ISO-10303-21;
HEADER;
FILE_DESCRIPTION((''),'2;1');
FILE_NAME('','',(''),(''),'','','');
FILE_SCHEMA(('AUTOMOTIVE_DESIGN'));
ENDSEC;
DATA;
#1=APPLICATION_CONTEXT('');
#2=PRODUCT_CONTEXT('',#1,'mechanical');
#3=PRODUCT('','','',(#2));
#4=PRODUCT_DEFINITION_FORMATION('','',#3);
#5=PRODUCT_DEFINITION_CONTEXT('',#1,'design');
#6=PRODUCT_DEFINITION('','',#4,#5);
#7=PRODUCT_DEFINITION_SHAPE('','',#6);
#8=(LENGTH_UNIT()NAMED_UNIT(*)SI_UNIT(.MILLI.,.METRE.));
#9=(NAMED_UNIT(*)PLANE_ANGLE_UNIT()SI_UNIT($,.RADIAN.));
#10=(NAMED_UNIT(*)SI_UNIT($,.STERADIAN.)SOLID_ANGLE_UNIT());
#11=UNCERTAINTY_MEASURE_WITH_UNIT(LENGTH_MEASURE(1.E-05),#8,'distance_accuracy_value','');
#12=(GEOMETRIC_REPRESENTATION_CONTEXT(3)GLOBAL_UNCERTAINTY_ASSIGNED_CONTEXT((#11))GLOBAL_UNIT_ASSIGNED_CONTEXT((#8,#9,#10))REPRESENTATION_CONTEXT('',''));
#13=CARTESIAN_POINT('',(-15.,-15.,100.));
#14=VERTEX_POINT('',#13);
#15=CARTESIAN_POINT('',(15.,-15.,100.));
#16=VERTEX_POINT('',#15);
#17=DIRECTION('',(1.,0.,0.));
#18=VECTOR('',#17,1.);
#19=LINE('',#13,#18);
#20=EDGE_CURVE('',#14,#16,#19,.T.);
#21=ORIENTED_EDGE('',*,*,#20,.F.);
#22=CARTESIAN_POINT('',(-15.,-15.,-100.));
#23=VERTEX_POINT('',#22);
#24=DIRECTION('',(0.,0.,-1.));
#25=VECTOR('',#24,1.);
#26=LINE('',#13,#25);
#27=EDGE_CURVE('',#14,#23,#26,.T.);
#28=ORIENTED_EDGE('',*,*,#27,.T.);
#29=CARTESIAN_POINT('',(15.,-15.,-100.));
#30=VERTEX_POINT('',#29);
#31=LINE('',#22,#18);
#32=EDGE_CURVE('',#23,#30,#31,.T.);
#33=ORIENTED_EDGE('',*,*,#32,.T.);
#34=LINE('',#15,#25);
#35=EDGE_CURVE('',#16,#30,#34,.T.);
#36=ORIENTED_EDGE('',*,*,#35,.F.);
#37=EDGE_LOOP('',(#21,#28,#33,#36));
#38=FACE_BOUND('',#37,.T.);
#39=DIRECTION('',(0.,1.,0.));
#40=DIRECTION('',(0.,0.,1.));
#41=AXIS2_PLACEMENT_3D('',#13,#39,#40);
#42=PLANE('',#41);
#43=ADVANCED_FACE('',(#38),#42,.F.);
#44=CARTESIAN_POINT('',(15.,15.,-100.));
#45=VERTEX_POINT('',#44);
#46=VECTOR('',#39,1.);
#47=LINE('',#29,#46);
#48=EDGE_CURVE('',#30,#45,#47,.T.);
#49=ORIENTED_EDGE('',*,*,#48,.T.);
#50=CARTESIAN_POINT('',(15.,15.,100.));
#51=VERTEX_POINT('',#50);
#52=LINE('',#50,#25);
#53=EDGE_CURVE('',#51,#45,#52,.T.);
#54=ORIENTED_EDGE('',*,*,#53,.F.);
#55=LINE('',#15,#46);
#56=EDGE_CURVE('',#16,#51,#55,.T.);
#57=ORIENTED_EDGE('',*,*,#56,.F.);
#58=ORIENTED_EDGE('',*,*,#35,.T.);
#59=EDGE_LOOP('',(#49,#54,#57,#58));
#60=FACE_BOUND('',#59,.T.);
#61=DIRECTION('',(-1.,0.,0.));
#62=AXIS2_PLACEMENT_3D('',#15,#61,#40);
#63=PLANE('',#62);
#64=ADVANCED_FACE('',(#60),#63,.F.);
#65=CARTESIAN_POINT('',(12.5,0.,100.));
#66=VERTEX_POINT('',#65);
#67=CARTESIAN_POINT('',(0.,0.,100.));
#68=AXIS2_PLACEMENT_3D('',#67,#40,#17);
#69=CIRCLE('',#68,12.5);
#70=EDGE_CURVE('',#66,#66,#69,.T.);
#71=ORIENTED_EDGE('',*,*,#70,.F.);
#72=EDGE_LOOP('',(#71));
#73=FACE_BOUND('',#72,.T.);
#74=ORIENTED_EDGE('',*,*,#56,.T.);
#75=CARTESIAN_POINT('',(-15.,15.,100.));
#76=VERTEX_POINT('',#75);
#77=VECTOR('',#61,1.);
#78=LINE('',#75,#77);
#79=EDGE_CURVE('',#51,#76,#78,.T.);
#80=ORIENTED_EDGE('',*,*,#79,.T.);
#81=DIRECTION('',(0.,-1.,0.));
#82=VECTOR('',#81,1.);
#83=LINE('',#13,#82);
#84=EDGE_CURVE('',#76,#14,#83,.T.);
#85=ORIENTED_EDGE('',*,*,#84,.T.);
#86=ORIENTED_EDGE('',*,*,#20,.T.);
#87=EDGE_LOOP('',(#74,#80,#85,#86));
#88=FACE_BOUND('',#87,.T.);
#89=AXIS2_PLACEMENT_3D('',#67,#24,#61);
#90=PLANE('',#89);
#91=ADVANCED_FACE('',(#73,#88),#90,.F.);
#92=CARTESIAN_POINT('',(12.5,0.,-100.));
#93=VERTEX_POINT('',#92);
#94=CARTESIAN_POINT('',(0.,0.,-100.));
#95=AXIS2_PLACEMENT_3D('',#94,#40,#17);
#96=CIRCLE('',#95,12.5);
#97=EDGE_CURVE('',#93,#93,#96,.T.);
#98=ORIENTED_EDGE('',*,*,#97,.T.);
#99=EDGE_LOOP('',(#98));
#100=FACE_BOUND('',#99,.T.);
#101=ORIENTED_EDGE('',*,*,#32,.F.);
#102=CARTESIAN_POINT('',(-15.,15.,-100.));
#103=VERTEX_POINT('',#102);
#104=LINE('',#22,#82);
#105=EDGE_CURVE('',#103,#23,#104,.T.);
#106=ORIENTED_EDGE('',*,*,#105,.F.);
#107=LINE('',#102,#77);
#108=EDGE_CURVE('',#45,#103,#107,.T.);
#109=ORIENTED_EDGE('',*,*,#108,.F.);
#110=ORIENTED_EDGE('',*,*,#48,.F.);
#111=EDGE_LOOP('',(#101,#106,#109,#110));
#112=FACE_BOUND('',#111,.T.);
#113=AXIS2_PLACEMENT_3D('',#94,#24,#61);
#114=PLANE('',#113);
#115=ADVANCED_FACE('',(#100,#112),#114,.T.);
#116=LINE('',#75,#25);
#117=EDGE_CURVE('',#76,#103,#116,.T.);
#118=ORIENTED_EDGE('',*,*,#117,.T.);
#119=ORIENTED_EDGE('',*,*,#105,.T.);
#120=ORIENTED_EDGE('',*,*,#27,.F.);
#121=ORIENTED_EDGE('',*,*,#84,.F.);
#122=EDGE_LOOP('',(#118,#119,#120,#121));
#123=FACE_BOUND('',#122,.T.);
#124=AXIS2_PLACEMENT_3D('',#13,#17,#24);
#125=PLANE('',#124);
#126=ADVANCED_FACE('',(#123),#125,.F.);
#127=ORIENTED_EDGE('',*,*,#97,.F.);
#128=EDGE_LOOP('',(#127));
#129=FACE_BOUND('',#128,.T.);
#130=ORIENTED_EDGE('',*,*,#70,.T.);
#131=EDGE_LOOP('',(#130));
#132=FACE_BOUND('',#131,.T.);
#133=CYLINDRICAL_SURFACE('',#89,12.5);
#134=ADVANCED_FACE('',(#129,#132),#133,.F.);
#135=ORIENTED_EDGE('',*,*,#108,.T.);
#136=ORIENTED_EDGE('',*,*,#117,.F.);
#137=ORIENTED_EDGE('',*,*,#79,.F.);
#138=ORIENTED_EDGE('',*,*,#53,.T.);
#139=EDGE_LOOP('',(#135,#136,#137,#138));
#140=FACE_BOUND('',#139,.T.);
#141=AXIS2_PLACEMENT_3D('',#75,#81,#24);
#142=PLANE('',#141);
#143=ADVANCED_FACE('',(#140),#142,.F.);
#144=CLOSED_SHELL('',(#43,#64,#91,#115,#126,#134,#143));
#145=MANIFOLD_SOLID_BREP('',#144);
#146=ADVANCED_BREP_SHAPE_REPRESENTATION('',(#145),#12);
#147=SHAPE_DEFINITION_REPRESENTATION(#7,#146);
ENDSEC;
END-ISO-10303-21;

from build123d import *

# Parameters (mm, degrees)
SKETCH1_W           = 30
SKETCH1_H           = 30
SKETCH1_R           = 12.5
BOSS_EXTRUDE1_DEPTH = 100


with BuildPart() as part:
    # Sketch1 → Boss-Extrude1 (new, symmetric)
    with BuildSketch(Plane.XY):
        Rectangle(SKETCH1_W, SKETCH1_H)
        Circle(SKETCH1_R, mode=Mode.SUBTRACT)
    extrude(amount=BOSS_EXTRUDE1_DEPTH, both=True)


solid = part.part
